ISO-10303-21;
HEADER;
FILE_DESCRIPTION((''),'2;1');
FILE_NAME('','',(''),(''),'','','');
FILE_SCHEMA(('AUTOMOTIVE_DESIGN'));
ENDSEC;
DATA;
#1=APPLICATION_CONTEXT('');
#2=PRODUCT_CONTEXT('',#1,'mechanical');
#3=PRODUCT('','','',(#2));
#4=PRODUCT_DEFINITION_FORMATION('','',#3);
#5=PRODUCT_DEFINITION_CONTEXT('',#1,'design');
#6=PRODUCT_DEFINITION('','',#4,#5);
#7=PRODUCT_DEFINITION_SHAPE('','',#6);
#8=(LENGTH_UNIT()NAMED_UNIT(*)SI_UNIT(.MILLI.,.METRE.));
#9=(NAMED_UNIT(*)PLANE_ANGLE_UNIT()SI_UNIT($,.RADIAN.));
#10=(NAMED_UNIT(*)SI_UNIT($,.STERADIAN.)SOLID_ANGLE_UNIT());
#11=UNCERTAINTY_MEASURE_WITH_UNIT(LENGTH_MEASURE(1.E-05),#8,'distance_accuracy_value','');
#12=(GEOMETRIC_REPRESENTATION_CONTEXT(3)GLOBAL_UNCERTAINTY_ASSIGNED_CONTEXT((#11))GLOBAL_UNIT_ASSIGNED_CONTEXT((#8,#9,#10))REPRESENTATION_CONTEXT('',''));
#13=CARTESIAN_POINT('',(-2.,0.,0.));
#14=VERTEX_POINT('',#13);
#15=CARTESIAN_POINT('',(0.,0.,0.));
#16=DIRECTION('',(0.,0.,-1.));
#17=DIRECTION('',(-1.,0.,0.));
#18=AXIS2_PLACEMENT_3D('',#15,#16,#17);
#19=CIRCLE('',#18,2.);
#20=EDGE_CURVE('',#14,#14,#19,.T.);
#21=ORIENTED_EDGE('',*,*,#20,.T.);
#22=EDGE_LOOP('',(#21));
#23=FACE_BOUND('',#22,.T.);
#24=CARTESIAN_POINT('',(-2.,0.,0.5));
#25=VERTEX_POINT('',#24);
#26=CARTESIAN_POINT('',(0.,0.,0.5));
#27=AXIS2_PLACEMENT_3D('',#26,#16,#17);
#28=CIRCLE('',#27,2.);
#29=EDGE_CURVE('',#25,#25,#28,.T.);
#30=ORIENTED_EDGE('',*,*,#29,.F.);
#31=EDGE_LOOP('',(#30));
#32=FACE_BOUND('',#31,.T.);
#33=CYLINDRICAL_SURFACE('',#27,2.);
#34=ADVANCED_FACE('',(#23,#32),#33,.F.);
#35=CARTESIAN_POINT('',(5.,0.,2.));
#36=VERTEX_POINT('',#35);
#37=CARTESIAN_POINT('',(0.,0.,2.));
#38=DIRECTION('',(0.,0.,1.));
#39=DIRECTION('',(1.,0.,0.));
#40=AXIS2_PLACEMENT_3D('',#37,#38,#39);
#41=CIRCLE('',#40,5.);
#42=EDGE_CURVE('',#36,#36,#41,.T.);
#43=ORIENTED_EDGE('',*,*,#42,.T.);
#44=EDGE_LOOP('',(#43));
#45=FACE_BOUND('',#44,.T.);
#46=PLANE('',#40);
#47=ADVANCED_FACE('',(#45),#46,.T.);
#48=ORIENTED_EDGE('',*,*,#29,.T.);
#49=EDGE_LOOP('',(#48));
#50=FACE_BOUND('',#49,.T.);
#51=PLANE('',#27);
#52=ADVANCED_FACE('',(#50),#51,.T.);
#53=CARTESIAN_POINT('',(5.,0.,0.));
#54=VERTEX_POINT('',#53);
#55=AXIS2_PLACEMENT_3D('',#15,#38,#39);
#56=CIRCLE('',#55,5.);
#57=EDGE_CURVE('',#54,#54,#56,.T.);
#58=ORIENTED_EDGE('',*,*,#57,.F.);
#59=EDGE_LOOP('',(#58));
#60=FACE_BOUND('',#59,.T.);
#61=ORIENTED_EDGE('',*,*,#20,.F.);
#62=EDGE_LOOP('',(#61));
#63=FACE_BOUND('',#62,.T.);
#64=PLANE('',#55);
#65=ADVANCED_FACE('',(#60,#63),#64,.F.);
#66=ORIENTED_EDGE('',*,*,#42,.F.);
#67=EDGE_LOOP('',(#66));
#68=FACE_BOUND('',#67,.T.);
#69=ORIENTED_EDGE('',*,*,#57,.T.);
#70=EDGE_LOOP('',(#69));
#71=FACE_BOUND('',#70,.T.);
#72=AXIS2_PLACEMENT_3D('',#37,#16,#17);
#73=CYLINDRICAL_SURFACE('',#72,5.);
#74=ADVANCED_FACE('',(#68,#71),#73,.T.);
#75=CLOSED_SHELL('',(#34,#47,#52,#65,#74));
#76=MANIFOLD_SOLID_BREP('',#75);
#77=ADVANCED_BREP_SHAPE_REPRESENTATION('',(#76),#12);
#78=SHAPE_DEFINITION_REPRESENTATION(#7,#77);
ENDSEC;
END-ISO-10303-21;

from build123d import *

# Parameters (mm, degrees)
CROQUIS1_R              = 5
SALIENTE_EXTRUIR1_DEPTH = 2
CROQUIS2_R              = 2
CORTAR_EXTRUIR1_DEPTH   = 0.5


with BuildPart() as part:
    # Croquis1 → Saliente-Extruir1 (new body)
    with BuildSketch(Plane.XY):
        Circle(CROQUIS1_R)
    extrude(amount=SALIENTE_EXTRUIR1_DEPTH)

    # Croquis2 → Cortar-Extruir1 (cut)
    with BuildSketch(Plane(origin=(0, 0, 0), x_dir=(-1, 0, 0), z_dir=(0, 0, -1))):
        Circle(CROQUIS2_R)
    extrude(amount=-CORTAR_EXTRUIR1_DEPTH, mode=Mode.SUBTRACT)


solid = part.part
